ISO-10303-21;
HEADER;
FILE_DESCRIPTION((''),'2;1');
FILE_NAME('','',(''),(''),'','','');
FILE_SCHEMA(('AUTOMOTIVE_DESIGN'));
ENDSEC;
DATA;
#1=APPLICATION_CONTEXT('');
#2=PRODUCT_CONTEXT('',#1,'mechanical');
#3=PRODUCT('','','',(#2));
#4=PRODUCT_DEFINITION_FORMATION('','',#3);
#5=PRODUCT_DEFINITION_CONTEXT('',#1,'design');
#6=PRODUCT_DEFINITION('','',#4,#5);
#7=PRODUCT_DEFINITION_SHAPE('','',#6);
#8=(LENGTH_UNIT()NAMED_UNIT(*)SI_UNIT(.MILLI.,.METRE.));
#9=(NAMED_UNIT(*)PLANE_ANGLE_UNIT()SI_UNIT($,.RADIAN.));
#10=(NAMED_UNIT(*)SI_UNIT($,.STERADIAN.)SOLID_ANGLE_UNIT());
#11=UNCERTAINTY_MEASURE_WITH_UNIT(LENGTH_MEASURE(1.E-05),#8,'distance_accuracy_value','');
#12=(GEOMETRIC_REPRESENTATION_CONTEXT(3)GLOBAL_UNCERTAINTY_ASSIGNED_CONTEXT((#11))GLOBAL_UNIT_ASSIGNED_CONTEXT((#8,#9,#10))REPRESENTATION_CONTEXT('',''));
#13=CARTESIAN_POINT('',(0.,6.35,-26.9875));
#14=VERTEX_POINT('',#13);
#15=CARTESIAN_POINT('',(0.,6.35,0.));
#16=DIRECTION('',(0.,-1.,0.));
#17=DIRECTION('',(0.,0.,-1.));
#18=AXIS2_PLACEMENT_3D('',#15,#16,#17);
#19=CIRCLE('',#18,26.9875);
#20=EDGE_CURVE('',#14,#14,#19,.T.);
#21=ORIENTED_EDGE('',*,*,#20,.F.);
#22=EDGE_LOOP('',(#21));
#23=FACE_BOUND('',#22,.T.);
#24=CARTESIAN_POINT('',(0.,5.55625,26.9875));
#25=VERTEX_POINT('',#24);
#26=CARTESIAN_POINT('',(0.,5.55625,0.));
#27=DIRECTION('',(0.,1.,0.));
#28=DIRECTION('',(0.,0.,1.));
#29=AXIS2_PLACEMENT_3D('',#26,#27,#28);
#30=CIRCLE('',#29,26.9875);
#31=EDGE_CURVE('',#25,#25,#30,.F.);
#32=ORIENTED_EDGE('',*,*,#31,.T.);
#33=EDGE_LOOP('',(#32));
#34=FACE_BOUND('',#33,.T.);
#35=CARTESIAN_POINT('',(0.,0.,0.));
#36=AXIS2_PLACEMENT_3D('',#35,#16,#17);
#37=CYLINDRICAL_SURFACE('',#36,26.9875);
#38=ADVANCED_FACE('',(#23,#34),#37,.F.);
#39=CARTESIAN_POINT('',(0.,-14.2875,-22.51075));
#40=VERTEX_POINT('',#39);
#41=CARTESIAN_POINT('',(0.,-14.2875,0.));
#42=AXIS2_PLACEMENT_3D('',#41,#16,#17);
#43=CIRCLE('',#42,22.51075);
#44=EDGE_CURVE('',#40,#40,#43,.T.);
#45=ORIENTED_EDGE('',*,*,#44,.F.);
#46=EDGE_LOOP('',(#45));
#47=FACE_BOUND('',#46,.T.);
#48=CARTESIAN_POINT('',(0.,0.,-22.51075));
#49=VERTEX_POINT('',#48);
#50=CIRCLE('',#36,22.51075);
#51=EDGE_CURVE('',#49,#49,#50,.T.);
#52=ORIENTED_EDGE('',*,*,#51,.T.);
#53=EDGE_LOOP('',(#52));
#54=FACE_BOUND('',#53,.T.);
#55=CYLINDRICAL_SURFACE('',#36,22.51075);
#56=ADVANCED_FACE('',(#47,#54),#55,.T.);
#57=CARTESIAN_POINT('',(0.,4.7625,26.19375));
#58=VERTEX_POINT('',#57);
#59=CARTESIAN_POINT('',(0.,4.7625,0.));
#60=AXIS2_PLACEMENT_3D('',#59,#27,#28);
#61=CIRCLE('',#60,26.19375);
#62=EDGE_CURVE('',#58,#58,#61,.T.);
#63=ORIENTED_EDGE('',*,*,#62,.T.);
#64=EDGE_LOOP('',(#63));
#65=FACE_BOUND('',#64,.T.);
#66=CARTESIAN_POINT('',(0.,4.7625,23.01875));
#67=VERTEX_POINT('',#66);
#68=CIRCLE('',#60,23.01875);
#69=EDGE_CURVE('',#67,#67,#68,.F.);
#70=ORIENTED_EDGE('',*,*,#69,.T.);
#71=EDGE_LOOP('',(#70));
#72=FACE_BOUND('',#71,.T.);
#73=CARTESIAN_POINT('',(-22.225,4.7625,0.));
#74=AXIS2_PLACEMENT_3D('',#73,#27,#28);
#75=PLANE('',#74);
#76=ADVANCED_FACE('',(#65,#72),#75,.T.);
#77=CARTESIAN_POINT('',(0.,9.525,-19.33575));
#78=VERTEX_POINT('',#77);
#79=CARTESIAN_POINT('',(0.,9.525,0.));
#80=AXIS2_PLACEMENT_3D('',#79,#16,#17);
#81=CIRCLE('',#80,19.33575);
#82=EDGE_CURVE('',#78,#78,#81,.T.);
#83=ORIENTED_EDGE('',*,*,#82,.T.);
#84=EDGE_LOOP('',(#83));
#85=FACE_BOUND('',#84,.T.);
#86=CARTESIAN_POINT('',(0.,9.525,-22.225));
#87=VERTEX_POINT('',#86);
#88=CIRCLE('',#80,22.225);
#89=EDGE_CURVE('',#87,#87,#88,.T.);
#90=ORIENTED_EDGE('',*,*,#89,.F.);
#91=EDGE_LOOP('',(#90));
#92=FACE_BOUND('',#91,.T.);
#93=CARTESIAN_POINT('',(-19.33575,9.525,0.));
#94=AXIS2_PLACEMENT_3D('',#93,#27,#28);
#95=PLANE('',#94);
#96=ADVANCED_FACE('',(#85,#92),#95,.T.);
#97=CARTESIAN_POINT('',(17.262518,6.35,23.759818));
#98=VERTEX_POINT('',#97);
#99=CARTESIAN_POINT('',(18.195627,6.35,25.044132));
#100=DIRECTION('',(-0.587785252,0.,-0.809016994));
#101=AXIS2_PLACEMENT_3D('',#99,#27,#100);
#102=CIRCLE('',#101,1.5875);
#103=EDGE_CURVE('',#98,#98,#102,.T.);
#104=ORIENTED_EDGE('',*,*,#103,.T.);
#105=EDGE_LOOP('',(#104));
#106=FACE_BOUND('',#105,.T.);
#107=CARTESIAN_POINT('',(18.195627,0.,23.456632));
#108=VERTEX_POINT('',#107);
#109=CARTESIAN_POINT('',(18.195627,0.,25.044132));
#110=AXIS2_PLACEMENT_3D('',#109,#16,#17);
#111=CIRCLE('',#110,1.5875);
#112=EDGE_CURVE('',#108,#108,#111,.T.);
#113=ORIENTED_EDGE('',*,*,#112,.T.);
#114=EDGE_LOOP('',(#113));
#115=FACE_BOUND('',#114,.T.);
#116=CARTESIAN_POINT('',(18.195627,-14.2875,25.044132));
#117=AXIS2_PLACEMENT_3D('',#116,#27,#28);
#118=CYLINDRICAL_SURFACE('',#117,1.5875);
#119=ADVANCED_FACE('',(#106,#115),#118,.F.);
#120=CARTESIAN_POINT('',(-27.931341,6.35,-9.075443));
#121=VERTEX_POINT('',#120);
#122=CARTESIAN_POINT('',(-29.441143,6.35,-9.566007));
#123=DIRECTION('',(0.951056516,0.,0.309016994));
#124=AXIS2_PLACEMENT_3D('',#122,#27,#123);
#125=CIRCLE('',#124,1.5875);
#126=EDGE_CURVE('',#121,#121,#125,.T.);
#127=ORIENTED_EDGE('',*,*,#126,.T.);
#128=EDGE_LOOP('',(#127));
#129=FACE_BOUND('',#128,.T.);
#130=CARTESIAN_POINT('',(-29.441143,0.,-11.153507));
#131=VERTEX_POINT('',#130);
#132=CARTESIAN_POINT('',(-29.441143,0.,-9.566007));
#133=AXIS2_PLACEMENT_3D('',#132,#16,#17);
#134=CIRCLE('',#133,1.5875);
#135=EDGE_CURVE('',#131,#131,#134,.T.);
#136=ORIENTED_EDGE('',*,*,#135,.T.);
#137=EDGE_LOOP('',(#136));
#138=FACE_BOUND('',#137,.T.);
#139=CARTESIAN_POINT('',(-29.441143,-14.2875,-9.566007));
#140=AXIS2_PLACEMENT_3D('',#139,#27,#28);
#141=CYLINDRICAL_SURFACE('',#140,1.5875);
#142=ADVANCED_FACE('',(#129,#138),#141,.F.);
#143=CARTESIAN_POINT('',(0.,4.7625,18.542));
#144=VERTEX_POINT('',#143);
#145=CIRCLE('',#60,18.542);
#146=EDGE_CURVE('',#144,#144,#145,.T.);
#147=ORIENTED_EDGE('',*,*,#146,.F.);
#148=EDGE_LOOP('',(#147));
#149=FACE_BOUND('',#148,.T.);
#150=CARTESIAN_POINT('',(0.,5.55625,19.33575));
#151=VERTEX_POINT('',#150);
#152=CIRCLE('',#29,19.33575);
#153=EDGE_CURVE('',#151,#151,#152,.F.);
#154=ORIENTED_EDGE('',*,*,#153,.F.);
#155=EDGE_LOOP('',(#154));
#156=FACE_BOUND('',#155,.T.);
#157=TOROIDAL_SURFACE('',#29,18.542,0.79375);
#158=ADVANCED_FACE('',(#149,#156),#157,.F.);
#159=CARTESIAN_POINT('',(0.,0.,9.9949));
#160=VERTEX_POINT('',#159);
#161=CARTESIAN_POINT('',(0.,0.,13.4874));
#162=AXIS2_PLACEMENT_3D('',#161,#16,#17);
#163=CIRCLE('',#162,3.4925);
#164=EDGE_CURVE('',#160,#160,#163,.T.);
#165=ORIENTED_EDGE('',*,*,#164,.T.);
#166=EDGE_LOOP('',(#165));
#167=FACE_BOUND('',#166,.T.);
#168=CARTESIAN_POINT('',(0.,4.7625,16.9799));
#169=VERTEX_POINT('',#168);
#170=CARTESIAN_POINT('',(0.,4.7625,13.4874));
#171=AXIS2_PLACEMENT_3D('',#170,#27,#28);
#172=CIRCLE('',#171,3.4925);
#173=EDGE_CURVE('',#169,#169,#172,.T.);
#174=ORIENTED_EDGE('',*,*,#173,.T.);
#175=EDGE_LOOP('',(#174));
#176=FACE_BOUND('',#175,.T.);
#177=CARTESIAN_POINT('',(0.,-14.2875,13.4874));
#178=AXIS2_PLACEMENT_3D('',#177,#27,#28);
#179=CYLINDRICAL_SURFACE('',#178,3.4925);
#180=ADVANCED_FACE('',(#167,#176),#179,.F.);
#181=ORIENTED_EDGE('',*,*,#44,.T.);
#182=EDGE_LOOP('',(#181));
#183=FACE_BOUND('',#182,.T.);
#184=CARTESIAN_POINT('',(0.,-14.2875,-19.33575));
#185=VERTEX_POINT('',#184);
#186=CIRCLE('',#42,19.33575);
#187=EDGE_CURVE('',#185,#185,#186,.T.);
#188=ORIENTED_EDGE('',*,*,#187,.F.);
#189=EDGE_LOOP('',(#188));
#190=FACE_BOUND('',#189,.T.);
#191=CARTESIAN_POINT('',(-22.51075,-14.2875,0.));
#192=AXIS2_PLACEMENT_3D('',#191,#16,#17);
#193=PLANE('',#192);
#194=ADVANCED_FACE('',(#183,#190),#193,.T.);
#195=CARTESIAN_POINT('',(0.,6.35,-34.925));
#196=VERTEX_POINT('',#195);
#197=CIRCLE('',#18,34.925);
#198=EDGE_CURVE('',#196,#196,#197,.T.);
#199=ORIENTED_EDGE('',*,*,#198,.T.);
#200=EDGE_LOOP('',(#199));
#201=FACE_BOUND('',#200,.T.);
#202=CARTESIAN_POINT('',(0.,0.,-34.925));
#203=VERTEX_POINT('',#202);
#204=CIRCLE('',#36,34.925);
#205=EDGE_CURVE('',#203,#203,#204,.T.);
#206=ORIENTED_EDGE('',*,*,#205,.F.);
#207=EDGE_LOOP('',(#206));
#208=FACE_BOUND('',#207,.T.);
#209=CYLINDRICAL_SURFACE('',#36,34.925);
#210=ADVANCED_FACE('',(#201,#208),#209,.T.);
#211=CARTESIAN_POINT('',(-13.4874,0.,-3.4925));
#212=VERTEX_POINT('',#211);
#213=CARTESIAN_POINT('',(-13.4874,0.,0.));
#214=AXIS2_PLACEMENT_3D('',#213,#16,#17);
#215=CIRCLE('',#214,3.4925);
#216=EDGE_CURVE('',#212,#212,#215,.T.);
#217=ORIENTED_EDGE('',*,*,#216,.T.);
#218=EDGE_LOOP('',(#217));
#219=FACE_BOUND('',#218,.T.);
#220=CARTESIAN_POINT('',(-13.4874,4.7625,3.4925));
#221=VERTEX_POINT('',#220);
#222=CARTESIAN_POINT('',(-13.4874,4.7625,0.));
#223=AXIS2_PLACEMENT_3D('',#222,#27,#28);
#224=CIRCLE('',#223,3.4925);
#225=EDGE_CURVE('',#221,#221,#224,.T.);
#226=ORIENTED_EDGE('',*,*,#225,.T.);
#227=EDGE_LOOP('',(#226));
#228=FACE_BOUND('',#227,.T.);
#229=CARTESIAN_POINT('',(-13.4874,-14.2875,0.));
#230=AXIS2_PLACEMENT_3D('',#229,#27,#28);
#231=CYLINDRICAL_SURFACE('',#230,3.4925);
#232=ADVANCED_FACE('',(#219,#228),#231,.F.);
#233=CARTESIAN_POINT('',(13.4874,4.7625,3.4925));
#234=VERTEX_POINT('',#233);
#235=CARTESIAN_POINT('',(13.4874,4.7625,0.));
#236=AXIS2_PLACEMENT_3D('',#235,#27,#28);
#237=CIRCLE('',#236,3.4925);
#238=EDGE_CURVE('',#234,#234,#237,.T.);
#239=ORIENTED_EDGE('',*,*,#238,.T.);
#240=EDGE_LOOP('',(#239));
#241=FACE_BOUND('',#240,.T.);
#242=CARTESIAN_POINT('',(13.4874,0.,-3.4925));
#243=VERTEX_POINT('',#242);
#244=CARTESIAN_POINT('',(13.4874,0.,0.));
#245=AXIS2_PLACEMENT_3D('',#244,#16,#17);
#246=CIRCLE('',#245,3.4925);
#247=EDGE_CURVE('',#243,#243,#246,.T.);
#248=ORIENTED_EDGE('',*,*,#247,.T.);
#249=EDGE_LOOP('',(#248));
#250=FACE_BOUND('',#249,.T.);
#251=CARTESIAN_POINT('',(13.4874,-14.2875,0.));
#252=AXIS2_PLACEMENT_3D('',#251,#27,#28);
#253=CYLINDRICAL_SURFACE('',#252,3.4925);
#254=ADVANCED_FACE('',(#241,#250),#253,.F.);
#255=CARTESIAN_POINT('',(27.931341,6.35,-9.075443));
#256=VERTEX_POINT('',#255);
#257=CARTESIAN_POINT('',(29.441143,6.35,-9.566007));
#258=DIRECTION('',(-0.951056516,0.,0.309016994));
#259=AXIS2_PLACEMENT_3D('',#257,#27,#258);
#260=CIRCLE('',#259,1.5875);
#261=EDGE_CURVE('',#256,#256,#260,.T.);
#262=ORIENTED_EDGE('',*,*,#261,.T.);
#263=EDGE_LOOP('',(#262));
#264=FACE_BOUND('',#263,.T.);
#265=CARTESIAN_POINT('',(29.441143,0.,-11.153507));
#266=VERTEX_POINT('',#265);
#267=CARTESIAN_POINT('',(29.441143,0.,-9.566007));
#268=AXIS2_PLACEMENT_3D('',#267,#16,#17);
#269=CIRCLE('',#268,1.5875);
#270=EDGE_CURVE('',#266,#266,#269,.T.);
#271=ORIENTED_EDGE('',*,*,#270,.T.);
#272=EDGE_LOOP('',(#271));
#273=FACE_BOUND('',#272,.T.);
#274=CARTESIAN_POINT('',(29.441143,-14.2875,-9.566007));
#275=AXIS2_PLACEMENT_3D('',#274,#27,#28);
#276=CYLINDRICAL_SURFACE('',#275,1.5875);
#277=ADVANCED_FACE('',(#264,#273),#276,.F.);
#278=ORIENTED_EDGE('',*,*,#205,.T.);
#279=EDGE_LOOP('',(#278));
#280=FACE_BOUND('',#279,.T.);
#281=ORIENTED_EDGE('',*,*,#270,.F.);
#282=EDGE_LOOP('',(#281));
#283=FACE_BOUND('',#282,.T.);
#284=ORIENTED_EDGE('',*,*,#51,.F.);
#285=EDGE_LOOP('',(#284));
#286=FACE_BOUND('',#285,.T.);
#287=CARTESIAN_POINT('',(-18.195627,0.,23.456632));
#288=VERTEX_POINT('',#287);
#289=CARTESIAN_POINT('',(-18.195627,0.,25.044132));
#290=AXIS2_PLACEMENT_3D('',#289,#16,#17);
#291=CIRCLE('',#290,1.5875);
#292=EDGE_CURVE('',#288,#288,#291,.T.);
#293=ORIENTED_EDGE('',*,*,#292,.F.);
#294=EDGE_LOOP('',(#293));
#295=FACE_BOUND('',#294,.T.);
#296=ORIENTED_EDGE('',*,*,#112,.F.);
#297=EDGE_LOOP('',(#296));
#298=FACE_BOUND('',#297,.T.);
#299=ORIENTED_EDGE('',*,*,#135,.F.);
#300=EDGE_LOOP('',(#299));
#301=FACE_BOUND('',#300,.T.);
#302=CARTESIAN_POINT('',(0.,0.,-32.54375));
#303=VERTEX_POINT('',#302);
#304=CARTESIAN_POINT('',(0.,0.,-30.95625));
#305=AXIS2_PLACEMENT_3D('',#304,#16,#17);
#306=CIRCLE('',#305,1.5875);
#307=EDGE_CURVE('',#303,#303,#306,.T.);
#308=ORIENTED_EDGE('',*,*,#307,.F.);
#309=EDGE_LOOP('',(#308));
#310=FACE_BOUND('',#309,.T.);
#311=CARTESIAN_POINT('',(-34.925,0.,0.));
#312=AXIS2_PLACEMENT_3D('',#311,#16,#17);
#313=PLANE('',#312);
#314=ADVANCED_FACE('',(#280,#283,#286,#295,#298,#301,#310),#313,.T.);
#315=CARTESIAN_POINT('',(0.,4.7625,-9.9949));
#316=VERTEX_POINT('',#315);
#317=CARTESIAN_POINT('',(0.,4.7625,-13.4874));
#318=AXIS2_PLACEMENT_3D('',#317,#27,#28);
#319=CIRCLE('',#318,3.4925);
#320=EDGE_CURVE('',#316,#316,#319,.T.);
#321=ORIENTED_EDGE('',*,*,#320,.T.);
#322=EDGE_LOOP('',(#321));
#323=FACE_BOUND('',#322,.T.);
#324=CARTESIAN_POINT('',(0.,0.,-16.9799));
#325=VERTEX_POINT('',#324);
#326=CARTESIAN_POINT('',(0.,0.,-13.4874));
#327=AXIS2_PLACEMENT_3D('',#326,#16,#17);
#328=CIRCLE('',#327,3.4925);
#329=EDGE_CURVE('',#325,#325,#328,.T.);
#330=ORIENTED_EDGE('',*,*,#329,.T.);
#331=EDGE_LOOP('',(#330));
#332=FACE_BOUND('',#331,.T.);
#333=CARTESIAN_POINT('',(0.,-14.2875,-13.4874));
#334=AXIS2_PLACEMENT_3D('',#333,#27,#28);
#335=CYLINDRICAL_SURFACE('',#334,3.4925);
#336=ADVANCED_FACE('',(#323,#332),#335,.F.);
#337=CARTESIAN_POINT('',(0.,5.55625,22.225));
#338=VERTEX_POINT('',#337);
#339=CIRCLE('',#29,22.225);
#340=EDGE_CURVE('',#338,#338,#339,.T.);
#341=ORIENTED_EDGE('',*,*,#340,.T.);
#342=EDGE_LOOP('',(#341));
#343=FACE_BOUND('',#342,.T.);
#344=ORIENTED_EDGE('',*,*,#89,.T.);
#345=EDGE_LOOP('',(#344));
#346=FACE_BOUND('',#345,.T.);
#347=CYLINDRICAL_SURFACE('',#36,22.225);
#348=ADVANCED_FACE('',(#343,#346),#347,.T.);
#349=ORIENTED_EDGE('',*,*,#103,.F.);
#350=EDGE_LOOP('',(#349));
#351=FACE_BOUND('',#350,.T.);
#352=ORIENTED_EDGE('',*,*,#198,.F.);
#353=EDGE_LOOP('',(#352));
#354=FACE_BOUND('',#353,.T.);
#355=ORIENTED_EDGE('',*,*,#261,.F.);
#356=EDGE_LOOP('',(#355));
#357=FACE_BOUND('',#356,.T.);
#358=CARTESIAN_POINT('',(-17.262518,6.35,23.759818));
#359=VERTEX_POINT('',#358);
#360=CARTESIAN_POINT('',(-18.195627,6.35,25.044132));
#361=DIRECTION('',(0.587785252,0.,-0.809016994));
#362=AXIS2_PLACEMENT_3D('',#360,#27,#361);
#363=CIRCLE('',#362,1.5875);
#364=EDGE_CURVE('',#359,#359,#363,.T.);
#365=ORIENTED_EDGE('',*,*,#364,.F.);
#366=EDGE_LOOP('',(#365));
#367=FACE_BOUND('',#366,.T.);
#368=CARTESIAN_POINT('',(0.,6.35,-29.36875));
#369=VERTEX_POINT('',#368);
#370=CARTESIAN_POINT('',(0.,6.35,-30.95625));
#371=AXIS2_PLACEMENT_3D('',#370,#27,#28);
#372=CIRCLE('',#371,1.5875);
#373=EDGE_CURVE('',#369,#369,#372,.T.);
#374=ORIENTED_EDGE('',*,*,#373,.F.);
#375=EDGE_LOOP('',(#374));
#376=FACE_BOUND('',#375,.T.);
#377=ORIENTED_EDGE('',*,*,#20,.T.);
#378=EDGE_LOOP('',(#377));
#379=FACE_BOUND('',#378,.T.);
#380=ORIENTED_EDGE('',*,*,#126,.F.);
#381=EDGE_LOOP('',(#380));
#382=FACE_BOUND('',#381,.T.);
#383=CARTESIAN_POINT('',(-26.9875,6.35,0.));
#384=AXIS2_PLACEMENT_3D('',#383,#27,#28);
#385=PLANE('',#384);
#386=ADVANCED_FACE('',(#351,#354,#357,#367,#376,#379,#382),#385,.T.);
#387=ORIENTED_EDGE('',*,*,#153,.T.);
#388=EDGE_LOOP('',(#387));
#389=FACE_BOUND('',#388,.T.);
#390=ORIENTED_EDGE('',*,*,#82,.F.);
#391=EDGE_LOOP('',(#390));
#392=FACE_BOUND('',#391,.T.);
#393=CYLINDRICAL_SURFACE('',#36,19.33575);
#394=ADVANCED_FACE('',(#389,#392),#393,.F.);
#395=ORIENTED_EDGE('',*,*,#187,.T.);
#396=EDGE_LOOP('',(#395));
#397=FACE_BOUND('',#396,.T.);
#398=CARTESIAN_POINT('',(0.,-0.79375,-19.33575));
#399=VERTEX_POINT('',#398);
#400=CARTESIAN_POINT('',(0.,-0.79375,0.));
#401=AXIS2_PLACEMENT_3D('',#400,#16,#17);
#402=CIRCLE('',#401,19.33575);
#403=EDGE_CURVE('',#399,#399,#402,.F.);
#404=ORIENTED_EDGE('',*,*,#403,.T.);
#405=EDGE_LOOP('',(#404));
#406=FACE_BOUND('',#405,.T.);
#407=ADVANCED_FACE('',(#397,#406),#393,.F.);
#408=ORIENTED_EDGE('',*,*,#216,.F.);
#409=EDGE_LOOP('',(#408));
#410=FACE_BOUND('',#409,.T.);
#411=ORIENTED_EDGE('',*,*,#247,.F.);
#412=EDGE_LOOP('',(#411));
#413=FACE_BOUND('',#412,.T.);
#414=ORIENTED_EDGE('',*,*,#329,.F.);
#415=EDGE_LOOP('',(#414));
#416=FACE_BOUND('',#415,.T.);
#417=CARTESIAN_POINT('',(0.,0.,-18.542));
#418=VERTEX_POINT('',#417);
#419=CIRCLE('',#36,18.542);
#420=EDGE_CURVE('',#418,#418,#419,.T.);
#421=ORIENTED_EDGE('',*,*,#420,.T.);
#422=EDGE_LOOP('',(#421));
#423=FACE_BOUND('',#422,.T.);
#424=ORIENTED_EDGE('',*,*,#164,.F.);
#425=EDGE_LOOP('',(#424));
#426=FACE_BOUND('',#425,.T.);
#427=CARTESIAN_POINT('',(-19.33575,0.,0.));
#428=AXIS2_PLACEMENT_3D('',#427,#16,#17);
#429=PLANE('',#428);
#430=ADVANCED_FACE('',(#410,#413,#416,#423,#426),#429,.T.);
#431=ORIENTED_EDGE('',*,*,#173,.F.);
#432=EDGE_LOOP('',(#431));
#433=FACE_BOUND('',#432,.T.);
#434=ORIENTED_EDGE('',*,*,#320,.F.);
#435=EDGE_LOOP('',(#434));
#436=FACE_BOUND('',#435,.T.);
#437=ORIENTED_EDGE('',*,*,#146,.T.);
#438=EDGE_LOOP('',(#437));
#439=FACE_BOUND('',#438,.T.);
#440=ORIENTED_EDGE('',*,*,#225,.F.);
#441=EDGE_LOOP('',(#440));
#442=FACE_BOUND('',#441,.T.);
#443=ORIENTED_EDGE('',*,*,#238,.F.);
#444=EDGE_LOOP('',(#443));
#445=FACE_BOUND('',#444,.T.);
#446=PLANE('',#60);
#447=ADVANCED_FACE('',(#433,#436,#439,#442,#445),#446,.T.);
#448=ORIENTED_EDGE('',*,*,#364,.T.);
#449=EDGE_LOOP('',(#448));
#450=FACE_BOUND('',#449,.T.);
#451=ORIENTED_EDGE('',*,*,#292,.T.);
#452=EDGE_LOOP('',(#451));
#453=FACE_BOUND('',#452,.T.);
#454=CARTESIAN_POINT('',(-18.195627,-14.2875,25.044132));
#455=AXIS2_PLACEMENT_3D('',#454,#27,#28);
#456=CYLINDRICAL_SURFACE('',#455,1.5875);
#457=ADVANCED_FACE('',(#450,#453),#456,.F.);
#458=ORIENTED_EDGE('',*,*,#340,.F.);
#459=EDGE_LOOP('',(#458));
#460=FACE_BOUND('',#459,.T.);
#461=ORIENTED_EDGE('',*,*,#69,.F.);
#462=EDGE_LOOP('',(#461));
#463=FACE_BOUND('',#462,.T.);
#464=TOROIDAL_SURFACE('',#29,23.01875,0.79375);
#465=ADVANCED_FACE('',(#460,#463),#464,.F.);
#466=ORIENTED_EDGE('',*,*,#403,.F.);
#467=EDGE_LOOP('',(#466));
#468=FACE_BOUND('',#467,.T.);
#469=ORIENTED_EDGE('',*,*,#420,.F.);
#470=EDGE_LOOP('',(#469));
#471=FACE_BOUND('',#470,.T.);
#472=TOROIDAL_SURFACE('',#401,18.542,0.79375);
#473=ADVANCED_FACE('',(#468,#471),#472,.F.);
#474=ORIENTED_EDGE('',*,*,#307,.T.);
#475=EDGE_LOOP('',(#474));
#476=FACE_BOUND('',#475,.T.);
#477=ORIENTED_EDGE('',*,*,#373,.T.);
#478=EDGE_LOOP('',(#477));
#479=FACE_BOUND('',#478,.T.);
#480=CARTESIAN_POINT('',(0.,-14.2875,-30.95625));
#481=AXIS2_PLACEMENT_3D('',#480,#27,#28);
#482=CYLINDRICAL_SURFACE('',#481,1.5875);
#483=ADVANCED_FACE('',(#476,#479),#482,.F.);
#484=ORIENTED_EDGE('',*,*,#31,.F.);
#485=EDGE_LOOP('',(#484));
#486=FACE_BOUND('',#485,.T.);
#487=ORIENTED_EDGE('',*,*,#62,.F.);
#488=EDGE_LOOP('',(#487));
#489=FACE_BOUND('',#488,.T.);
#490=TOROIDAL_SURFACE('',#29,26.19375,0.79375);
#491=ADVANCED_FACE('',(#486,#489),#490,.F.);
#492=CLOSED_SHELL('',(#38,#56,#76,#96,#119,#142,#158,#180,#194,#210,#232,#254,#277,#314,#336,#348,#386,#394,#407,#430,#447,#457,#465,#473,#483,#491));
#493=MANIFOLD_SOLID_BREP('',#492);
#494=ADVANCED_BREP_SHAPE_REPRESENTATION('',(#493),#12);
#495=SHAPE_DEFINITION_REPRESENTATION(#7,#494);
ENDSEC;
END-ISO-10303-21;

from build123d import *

# Parameters (mm, degrees)
SKETCH2_R          = 3.4925
CUT_EXTRUDE1_DEPTH = 53.937829102
SKETCH3_R          = 1.5875
CUT_EXTRUDE2_DEPTH = 54.529596078
CIRPATTERN1_COUNT  = 5
FILLET1_R          = 0.79375


with BuildPart() as part:
    # Sketch1 → Revolve1 (revolve)
    with BuildSketch(Plane.XY):
        Polygon((19.33575, -14.2875), (19.33575, 0), (0, 0), (0, 4.7625), (19.33575, 4.7625), (19.33575, 9.525), (22.225, 9.525), (22.225, 4.7625), (26.9875, 4.7625), (26.9875, 6.35), (34.925, 6.35), (34.925, 0), (22.51075, 0), (22.51075, -14.2875), align=None)
    revolve(axis=Axis((0, 0, 0), (0, 1, 0)))

    # Sketch2 → Cut-Extrude1 (cut, through all)
    with BuildSketch(Plane(origin=(0, 4.7625, 0), x_dir=(1, 0, 0), z_dir=(0, 1, 0))):
        with Locations((-13.4874, 0)):
            Circle(SKETCH2_R)
        with Locations((0, 13.4874)):
            Circle(SKETCH2_R)
        with Locations((13.4874, 0)):
            Circle(SKETCH2_R)
        with Locations((0, -13.4874)):
            Circle(SKETCH2_R)
    extrude(amount=-CUT_EXTRUDE1_DEPTH, mode=Mode.SUBTRACT)

    # Sketch3 → Cut-Extrude2 (cut, through all)
    with BuildSketch(Plane(origin=(0, 6.35, 0), x_dir=(1, 0, 0), z_dir=(0, 1, 0))):
        with Locations((0, 30.95625)):
            Circle(SKETCH3_R)
    cut_extrude2 = extrude(amount=-CUT_EXTRUDE2_DEPTH, mode=Mode.SUBTRACT)

    # CirPattern1: Cut-Extrude2 ×5 about axis
    cirpattern1_axis = Axis((0, 14.76375, 0), (0, -1, 0))
    for i in range(1, CIRPATTERN1_COUNT):
        add(cut_extrude2.rotate(cirpattern1_axis, i * 360 / CIRPATTERN1_COUNT), mode=Mode.SUBTRACT)

    # Fillet1
    fillet1_edges = [part.edges().sort_by_distance(p)[0] for p in [
        (-22.225, 4.7625, 0),
        (-26.9875, 4.7625, 0),
        (-19.33575, 4.7625, 0),
        (-19.33575, 0, 0),
    ]]
    fillet(fillet1_edges, radius=FILLET1_R)


solid = part.part
